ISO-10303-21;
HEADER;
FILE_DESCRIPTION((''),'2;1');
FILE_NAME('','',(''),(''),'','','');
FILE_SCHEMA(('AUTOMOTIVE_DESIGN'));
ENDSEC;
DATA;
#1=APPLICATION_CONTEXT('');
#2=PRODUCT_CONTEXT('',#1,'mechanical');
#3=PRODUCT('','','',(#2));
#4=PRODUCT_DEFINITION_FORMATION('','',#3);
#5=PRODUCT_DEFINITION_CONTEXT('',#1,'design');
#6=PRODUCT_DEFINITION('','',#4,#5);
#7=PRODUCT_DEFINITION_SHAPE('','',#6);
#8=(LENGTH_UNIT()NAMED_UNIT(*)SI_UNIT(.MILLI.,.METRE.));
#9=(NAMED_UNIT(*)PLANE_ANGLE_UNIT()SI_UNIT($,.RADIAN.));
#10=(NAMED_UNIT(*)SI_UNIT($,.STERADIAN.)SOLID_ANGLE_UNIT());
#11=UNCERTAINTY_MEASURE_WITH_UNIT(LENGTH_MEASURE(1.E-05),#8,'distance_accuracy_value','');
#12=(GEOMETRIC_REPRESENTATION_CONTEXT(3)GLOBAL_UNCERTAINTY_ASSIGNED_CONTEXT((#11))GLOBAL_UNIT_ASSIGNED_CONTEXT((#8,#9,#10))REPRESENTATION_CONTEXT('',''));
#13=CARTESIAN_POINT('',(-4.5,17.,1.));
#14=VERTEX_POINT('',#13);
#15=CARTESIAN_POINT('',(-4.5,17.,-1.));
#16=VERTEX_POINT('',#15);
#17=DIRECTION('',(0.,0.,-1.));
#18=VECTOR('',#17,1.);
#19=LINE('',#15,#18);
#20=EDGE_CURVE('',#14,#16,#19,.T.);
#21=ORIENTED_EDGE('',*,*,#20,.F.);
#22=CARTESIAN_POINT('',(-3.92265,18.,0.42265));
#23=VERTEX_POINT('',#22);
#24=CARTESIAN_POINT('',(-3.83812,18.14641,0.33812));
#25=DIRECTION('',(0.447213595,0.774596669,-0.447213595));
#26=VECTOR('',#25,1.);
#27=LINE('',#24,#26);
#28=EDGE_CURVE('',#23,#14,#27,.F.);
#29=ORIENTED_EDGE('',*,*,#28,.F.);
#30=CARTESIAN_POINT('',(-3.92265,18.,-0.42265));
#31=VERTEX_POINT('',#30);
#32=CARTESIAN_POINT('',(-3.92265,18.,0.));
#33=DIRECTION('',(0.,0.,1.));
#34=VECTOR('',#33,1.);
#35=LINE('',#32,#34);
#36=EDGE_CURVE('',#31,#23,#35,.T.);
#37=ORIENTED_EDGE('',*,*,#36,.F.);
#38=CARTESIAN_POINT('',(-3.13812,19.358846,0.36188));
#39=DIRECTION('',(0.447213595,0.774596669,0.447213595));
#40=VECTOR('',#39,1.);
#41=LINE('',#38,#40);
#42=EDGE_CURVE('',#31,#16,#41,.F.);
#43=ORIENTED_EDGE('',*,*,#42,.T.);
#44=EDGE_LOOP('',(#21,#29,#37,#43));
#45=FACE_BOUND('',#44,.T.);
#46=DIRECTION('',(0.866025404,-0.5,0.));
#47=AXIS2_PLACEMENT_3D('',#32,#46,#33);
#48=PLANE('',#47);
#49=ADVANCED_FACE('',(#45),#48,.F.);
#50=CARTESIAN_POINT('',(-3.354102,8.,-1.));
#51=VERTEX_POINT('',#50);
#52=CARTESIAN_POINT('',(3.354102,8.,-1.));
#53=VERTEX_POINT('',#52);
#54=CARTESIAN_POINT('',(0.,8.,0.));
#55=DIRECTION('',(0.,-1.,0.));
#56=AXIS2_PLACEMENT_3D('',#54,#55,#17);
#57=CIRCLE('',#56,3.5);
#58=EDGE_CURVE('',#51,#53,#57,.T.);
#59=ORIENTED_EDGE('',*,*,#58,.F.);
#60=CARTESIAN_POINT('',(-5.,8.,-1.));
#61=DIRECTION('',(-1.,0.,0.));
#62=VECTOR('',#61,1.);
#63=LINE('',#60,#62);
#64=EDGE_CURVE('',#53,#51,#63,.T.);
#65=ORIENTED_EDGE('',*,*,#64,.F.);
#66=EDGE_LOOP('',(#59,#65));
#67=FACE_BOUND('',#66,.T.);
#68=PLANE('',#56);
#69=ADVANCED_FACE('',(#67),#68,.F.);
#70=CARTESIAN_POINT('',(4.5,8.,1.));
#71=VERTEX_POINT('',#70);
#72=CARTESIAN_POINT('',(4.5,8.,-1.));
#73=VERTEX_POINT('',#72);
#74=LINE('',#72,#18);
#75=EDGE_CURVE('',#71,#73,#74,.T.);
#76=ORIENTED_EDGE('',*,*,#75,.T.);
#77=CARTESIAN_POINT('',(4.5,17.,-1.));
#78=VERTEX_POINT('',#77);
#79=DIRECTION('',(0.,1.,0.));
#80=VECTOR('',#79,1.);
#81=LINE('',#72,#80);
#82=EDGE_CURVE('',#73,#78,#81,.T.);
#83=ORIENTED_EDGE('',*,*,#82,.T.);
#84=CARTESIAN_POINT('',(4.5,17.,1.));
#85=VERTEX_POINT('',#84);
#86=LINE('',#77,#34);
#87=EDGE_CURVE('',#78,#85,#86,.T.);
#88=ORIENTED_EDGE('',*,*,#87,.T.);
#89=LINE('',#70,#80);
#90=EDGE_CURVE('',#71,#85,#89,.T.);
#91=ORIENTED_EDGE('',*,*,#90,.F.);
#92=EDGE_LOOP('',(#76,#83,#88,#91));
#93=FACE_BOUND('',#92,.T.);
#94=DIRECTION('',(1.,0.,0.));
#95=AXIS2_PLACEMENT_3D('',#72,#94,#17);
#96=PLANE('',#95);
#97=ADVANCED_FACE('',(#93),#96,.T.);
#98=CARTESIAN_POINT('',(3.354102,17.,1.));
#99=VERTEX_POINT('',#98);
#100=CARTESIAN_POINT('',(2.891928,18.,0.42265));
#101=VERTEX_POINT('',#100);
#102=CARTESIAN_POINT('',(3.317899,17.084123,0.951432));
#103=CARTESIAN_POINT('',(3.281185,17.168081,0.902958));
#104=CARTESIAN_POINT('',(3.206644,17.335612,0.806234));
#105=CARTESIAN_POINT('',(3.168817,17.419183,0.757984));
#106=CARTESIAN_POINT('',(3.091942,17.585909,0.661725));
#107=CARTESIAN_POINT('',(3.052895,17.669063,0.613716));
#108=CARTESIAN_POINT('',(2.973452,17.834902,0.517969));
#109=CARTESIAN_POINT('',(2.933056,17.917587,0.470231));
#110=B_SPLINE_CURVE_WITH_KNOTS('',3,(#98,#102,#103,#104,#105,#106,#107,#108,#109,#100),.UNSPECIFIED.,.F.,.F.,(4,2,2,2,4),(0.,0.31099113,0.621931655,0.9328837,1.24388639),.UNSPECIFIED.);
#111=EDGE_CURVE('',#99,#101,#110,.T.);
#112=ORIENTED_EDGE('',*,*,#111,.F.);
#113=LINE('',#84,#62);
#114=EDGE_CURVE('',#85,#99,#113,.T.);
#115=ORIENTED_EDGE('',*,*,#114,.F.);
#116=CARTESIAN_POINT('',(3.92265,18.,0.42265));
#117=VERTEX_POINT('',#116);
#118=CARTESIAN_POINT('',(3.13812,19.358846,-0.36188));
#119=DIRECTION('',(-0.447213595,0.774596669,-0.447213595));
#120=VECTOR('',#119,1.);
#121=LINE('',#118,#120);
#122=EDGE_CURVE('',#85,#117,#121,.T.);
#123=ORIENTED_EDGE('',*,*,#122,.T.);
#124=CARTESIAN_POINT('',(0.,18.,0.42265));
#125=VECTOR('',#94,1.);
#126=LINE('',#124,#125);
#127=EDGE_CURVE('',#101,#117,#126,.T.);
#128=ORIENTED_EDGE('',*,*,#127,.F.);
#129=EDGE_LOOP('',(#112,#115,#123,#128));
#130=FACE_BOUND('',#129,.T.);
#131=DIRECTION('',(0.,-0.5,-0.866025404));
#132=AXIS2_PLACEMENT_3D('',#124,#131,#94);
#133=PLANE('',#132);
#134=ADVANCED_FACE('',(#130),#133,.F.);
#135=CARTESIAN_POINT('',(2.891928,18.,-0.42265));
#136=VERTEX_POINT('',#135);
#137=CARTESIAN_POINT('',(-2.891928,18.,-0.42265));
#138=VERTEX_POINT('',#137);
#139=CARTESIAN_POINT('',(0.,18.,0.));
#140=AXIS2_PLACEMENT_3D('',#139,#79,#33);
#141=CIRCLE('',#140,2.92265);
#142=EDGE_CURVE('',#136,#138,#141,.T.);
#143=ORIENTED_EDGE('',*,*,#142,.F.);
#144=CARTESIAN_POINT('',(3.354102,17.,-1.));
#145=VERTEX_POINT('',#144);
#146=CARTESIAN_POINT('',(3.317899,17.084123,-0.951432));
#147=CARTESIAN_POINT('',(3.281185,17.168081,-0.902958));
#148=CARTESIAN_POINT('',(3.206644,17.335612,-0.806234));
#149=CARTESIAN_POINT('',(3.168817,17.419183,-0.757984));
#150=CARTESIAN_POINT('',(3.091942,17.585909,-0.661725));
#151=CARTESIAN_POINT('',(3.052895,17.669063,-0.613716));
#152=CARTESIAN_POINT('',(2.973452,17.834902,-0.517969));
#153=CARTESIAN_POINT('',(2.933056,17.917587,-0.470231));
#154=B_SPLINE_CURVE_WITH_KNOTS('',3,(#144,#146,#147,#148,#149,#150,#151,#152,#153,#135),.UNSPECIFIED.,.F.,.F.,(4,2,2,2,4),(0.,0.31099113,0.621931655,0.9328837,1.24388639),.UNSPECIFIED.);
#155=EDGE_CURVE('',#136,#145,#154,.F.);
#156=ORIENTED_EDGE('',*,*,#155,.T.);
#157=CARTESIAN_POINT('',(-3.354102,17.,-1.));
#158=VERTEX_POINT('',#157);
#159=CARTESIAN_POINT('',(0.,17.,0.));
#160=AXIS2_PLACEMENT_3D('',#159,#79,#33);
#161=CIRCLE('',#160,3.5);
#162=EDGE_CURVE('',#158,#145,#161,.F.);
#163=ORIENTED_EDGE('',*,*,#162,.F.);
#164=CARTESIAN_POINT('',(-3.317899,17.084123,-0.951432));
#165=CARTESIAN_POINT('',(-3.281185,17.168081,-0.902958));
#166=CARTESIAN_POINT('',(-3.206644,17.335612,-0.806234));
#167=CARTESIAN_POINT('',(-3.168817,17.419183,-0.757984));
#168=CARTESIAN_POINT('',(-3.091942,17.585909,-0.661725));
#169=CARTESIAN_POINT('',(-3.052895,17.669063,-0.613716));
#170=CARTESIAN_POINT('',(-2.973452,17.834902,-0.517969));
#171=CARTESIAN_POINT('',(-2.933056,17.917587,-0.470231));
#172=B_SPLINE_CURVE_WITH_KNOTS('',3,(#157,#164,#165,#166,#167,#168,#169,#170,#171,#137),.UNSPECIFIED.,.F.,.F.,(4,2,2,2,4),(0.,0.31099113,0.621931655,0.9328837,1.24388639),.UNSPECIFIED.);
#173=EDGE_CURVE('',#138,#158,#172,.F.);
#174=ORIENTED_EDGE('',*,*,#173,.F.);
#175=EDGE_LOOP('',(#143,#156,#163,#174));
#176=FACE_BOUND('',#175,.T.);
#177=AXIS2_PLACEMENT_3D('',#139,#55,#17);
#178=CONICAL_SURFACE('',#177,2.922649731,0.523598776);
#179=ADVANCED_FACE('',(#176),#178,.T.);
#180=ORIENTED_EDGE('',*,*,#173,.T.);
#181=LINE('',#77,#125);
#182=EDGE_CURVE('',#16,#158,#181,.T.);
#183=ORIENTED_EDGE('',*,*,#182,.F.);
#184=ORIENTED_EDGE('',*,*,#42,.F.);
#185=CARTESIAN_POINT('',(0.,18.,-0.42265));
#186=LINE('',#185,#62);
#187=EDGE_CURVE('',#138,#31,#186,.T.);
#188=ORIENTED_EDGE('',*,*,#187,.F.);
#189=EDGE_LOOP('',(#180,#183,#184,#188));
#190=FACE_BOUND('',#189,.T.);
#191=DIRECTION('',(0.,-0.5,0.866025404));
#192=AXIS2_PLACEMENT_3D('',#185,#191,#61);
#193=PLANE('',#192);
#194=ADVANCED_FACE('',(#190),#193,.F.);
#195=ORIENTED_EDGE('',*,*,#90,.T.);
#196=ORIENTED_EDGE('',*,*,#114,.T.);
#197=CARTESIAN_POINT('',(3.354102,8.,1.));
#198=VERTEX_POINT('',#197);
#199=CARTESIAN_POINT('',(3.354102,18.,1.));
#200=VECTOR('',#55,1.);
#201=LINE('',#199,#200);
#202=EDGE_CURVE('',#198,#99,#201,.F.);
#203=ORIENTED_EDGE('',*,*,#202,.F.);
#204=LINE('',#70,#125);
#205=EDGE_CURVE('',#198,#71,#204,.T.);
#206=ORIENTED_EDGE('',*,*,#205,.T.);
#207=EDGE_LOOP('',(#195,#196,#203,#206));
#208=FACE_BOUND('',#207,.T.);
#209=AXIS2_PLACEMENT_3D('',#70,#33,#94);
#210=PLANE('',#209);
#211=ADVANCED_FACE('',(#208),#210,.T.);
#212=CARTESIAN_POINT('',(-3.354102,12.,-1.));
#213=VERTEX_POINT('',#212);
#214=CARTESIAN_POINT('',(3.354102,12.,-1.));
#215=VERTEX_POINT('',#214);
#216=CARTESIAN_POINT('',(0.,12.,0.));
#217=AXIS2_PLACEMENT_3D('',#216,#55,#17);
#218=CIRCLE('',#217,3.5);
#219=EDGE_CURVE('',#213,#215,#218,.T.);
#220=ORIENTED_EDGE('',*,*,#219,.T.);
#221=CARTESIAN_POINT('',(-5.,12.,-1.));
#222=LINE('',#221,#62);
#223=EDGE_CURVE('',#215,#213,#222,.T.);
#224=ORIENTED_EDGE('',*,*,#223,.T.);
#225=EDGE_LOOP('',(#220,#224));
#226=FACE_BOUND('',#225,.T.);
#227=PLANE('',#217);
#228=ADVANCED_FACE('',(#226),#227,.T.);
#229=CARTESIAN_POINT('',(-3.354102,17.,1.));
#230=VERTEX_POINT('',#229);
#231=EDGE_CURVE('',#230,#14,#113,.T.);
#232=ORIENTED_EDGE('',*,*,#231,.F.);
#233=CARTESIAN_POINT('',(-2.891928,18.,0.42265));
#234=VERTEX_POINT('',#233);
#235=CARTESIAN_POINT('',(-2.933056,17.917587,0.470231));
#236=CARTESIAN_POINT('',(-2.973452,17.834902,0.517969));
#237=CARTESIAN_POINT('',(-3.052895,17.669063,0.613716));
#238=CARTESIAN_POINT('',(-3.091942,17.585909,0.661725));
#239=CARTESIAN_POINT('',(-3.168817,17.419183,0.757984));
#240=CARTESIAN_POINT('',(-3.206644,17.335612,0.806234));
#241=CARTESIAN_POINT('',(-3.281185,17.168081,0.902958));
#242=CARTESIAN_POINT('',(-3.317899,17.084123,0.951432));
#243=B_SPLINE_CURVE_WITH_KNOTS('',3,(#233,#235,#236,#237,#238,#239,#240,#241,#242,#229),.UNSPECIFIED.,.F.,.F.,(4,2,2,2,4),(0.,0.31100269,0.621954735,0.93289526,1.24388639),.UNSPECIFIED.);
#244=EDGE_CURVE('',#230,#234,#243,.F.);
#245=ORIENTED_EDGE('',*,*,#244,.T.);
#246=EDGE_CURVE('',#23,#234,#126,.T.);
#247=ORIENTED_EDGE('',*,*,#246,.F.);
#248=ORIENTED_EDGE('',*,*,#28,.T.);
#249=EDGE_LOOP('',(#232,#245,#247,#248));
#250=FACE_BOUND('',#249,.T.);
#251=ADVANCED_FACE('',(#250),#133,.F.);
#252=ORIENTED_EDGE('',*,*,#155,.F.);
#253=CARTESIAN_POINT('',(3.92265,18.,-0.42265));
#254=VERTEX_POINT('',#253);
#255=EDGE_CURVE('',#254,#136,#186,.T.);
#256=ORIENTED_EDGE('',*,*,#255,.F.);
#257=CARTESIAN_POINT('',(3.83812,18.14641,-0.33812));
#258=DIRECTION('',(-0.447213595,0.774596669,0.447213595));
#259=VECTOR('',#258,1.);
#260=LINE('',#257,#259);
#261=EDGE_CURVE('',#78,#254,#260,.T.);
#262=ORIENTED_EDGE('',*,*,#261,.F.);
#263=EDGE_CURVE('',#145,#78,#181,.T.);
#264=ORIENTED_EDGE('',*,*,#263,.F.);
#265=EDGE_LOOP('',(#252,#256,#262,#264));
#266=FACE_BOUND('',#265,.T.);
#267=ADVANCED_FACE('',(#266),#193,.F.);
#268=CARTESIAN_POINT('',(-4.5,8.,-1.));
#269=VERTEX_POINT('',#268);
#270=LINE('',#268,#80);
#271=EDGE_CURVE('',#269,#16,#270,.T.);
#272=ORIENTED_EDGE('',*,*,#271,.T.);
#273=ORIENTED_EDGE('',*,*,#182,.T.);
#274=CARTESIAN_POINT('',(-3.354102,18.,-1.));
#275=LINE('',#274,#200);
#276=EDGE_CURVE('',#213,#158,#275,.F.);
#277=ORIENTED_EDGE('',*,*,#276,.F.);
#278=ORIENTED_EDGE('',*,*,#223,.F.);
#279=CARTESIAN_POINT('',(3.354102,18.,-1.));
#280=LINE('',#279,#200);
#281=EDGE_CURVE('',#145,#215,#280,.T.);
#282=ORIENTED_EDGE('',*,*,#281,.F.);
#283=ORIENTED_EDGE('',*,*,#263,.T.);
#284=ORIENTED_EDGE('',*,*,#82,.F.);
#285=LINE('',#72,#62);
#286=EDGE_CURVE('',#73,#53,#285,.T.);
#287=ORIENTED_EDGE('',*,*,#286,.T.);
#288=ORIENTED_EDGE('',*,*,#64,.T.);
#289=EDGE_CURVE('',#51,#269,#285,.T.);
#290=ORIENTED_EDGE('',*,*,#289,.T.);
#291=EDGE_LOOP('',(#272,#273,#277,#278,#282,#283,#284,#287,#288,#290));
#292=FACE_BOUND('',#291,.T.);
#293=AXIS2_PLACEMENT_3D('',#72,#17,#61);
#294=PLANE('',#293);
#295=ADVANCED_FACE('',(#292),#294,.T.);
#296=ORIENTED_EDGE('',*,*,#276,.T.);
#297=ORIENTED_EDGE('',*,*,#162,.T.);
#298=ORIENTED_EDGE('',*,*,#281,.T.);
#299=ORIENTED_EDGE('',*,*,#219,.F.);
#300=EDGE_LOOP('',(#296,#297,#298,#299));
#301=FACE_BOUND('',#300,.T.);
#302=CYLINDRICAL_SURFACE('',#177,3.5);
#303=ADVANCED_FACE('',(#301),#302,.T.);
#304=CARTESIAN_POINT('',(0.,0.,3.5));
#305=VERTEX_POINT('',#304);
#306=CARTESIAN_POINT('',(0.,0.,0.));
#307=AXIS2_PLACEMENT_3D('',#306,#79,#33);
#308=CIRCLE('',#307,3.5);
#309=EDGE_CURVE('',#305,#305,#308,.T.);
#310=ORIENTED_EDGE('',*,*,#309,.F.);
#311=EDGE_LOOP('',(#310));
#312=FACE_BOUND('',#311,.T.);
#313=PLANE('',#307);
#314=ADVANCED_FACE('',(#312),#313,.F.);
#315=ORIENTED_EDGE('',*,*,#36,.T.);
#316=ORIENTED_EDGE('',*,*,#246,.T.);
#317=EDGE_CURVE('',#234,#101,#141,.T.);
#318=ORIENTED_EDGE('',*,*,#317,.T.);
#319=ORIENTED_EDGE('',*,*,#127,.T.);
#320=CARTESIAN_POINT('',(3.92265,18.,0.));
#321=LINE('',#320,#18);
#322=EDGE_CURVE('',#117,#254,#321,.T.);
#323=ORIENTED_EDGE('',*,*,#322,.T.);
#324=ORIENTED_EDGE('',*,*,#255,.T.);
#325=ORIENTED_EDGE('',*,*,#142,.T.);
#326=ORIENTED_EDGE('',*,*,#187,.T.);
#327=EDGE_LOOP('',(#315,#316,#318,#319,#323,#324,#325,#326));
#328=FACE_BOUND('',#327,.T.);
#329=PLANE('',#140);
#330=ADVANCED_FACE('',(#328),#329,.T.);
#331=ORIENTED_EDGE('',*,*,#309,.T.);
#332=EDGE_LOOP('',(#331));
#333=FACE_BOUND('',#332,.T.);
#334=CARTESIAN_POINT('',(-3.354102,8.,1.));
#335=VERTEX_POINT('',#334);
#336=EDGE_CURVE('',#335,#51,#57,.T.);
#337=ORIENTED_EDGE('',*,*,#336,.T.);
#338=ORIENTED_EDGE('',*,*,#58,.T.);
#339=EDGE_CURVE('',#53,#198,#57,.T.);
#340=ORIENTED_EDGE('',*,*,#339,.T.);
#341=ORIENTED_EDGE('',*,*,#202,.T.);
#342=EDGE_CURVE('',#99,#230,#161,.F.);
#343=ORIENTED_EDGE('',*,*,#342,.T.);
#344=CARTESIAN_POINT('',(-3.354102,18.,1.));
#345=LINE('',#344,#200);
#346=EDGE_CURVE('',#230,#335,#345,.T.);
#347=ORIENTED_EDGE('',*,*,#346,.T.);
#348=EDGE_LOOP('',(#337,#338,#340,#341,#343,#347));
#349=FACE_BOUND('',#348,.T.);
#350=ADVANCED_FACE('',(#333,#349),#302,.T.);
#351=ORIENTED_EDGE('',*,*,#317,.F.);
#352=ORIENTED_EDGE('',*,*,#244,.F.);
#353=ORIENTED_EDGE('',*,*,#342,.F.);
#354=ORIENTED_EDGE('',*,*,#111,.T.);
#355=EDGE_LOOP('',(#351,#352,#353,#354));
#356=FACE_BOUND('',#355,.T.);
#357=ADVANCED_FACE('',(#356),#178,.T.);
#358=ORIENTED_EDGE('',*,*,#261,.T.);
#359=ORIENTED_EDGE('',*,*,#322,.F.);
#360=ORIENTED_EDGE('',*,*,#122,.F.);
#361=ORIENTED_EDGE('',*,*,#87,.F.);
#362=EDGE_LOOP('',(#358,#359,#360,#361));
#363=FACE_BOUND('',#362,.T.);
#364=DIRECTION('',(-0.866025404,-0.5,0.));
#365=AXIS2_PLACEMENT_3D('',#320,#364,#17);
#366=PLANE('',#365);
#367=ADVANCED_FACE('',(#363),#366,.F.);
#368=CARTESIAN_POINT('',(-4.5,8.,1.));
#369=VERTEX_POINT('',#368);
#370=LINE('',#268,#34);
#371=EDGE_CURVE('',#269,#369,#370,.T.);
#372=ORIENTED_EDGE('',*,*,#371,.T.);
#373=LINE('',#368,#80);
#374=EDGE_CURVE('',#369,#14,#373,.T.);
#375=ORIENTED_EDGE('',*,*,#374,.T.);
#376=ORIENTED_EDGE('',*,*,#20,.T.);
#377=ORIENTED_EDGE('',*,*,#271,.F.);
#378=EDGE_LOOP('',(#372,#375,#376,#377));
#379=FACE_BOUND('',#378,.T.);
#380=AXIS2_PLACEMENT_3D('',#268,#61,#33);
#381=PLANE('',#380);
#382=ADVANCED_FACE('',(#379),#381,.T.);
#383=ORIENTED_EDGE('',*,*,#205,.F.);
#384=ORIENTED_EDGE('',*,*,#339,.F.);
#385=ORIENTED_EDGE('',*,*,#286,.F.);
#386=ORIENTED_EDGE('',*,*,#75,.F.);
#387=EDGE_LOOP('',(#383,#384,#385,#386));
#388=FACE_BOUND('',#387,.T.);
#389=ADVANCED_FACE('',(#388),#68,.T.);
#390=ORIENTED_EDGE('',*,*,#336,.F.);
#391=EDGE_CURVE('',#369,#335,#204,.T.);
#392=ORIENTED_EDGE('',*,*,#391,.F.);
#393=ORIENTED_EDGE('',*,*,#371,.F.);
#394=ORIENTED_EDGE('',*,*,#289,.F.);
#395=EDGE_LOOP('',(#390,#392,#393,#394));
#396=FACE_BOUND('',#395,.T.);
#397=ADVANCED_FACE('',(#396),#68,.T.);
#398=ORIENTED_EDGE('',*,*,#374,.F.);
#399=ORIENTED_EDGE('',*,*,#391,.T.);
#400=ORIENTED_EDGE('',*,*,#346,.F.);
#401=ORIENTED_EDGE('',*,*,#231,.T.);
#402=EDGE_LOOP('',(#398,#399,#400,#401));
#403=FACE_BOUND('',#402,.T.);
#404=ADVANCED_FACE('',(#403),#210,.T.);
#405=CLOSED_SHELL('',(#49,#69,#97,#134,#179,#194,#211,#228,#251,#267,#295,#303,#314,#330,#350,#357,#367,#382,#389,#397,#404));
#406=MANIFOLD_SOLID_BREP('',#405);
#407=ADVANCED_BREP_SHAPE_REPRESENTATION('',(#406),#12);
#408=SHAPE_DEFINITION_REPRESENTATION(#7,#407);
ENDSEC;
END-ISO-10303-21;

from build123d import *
from OCP.BRepFilletAPI import BRepFilletAPI_MakeChamfer

# Parameters (mm, degrees)
SKETCH1_R           = 3.5
BOSS_EXTRUDE1_DEPTH = 18
SKETCH2_W           = 9
SKETCH2_H           = 2
BOSS_EXTRUDE3_DEPTH = 10
CUT_EXTRUDE3_START  = -8
SKETCH3_W           = 10
SKETCH3_H           = 2.5
CUT_EXTRUDE3_DEPTH  = 4
CHAMFER1_SIZE       = 1
CHAMFER1_SIZE2      = 0.577350269


with BuildPart() as part:
    # Sketch1 → Boss-Extrude1 (new body)
    with BuildSketch(Plane(origin=(0, 0, 0), x_dir=(1, 0, 0), z_dir=(0, 1, 0))):
        with Locations(Location((0, 0, 0), (0, 0, 270))):
            Circle(SKETCH1_R)
    extrude(amount=BOSS_EXTRUDE1_DEPTH)

    # Sketch2 → Boss-Extrude3 (add)
    with BuildSketch(Plane(origin=(0, 18, 0), x_dir=(1, 0, 0), z_dir=(0, 1, 0))):
        Rectangle(SKETCH2_W, SKETCH2_H)
    extrude(amount=-BOSS_EXTRUDE3_DEPTH)

    # Sketch3 → Cut-Extrude3 (cut)
    with BuildSketch(Plane.XZ.offset(CUT_EXTRUDE3_START)):
        with Locations((0, -2.25)):
            Rectangle(SKETCH3_W, SKETCH3_H)
    extrude(amount=-CUT_EXTRUDE3_DEPTH, mode=Mode.SUBTRACT)

    # Chamfer1: one chamfer whose edges measure the first distance from different faces: ONE call of the kernel's chamfer builder (chamfer() names one face for all edges)
    chamfer1_edges_1 = [part.edges().sort_by_distance(p)[0] for p in [
        (3.927050983, 18, -1),
        (-3.927050983, 18, -1),
    ]]
    chamfer1_side_1 = [part.faces().sort_by_distance(p)[0] for p in [
        (0, 11.381966011, -1),
    ]]
    chamfer1_edges_2 = [part.edges().sort_by_distance(p)[0] for p in [
        (3.927050983, 18, 1),
    ]]
    chamfer1_side_2 = [part.faces().sort_by_distance(p)[0] for p in [
        (3.927050983, 13, 1),
    ]]
    chamfer1_edges_3 = [part.edges().sort_by_distance(p)[0] for p in [
        (4.5, 18, 0),
    ]]
    chamfer1_side_3 = [part.faces().sort_by_distance(p)[0] for p in [
        (4.5, 13, 0),
    ]]
    chamfer1_edges_4 = [part.edges().sort_by_distance(p)[0] for p in [
        (-3.927050983, 18, 1),
    ]]
    chamfer1_side_4 = [part.faces().sort_by_distance(p)[0] for p in [
        (-3.927050983, 13, 1),
    ]]
    chamfer1_edges_5 = [part.edges().sort_by_distance(p)[0] for p in [
        (-4.5, 18, 0),
    ]]
    chamfer1_side_5 = [part.faces().sort_by_distance(p)[0] for p in [
        (-4.5, 13, 0),
    ]]
    chamfer1_edges_6 = [part.edges().sort_by_distance(p)[0] for p in [
        (0, 18, -3.5),
    ]]
    chamfer1_side_6 = [part.faces().sort_by_distance(p)[0] for p in [
        (0, 15, -3.5),
    ]]
    chamfer1_edges_7 = [part.edges().sort_by_distance(p)[0] for p in [
        (2.091650066, 18, 2.80624304),
    ]]
    chamfer1_side_7 = [part.faces().sort_by_distance(p)[0] for p in [
        (0, 9, -3.5),
    ]]
    chamfer1 = BRepFilletAPI_MakeChamfer(part.part.solid().wrapped)
    for e in chamfer1_edges_1:
        chamfer1.Add(CHAMFER1_SIZE, CHAMFER1_SIZE2, e.wrapped, chamfer1_side_1[0].wrapped)  # the first distance lies on this face
    for e in chamfer1_edges_2:
        chamfer1.Add(CHAMFER1_SIZE, CHAMFER1_SIZE2, e.wrapped, chamfer1_side_2[0].wrapped)  # the first distance lies on this face
    for e in chamfer1_edges_3:
        chamfer1.Add(CHAMFER1_SIZE, CHAMFER1_SIZE2, e.wrapped, chamfer1_side_3[0].wrapped)  # the first distance lies on this face
    for e in chamfer1_edges_4:
        chamfer1.Add(CHAMFER1_SIZE, CHAMFER1_SIZE2, e.wrapped, chamfer1_side_4[0].wrapped)  # the first distance lies on this face
    for e in chamfer1_edges_5:
        chamfer1.Add(CHAMFER1_SIZE, CHAMFER1_SIZE2, e.wrapped, chamfer1_side_5[0].wrapped)  # the first distance lies on this face
    for e in chamfer1_edges_6:
        chamfer1.Add(CHAMFER1_SIZE, CHAMFER1_SIZE2, e.wrapped, chamfer1_side_6[0].wrapped)  # the first distance lies on this face
    for e in chamfer1_edges_7:
        chamfer1.Add(CHAMFER1_SIZE, CHAMFER1_SIZE2, e.wrapped, chamfer1_side_7[0].wrapped)  # the first distance lies on this face
    add(Compound.cast(chamfer1.Shape()), mode=Mode.REPLACE)


solid = part.part
